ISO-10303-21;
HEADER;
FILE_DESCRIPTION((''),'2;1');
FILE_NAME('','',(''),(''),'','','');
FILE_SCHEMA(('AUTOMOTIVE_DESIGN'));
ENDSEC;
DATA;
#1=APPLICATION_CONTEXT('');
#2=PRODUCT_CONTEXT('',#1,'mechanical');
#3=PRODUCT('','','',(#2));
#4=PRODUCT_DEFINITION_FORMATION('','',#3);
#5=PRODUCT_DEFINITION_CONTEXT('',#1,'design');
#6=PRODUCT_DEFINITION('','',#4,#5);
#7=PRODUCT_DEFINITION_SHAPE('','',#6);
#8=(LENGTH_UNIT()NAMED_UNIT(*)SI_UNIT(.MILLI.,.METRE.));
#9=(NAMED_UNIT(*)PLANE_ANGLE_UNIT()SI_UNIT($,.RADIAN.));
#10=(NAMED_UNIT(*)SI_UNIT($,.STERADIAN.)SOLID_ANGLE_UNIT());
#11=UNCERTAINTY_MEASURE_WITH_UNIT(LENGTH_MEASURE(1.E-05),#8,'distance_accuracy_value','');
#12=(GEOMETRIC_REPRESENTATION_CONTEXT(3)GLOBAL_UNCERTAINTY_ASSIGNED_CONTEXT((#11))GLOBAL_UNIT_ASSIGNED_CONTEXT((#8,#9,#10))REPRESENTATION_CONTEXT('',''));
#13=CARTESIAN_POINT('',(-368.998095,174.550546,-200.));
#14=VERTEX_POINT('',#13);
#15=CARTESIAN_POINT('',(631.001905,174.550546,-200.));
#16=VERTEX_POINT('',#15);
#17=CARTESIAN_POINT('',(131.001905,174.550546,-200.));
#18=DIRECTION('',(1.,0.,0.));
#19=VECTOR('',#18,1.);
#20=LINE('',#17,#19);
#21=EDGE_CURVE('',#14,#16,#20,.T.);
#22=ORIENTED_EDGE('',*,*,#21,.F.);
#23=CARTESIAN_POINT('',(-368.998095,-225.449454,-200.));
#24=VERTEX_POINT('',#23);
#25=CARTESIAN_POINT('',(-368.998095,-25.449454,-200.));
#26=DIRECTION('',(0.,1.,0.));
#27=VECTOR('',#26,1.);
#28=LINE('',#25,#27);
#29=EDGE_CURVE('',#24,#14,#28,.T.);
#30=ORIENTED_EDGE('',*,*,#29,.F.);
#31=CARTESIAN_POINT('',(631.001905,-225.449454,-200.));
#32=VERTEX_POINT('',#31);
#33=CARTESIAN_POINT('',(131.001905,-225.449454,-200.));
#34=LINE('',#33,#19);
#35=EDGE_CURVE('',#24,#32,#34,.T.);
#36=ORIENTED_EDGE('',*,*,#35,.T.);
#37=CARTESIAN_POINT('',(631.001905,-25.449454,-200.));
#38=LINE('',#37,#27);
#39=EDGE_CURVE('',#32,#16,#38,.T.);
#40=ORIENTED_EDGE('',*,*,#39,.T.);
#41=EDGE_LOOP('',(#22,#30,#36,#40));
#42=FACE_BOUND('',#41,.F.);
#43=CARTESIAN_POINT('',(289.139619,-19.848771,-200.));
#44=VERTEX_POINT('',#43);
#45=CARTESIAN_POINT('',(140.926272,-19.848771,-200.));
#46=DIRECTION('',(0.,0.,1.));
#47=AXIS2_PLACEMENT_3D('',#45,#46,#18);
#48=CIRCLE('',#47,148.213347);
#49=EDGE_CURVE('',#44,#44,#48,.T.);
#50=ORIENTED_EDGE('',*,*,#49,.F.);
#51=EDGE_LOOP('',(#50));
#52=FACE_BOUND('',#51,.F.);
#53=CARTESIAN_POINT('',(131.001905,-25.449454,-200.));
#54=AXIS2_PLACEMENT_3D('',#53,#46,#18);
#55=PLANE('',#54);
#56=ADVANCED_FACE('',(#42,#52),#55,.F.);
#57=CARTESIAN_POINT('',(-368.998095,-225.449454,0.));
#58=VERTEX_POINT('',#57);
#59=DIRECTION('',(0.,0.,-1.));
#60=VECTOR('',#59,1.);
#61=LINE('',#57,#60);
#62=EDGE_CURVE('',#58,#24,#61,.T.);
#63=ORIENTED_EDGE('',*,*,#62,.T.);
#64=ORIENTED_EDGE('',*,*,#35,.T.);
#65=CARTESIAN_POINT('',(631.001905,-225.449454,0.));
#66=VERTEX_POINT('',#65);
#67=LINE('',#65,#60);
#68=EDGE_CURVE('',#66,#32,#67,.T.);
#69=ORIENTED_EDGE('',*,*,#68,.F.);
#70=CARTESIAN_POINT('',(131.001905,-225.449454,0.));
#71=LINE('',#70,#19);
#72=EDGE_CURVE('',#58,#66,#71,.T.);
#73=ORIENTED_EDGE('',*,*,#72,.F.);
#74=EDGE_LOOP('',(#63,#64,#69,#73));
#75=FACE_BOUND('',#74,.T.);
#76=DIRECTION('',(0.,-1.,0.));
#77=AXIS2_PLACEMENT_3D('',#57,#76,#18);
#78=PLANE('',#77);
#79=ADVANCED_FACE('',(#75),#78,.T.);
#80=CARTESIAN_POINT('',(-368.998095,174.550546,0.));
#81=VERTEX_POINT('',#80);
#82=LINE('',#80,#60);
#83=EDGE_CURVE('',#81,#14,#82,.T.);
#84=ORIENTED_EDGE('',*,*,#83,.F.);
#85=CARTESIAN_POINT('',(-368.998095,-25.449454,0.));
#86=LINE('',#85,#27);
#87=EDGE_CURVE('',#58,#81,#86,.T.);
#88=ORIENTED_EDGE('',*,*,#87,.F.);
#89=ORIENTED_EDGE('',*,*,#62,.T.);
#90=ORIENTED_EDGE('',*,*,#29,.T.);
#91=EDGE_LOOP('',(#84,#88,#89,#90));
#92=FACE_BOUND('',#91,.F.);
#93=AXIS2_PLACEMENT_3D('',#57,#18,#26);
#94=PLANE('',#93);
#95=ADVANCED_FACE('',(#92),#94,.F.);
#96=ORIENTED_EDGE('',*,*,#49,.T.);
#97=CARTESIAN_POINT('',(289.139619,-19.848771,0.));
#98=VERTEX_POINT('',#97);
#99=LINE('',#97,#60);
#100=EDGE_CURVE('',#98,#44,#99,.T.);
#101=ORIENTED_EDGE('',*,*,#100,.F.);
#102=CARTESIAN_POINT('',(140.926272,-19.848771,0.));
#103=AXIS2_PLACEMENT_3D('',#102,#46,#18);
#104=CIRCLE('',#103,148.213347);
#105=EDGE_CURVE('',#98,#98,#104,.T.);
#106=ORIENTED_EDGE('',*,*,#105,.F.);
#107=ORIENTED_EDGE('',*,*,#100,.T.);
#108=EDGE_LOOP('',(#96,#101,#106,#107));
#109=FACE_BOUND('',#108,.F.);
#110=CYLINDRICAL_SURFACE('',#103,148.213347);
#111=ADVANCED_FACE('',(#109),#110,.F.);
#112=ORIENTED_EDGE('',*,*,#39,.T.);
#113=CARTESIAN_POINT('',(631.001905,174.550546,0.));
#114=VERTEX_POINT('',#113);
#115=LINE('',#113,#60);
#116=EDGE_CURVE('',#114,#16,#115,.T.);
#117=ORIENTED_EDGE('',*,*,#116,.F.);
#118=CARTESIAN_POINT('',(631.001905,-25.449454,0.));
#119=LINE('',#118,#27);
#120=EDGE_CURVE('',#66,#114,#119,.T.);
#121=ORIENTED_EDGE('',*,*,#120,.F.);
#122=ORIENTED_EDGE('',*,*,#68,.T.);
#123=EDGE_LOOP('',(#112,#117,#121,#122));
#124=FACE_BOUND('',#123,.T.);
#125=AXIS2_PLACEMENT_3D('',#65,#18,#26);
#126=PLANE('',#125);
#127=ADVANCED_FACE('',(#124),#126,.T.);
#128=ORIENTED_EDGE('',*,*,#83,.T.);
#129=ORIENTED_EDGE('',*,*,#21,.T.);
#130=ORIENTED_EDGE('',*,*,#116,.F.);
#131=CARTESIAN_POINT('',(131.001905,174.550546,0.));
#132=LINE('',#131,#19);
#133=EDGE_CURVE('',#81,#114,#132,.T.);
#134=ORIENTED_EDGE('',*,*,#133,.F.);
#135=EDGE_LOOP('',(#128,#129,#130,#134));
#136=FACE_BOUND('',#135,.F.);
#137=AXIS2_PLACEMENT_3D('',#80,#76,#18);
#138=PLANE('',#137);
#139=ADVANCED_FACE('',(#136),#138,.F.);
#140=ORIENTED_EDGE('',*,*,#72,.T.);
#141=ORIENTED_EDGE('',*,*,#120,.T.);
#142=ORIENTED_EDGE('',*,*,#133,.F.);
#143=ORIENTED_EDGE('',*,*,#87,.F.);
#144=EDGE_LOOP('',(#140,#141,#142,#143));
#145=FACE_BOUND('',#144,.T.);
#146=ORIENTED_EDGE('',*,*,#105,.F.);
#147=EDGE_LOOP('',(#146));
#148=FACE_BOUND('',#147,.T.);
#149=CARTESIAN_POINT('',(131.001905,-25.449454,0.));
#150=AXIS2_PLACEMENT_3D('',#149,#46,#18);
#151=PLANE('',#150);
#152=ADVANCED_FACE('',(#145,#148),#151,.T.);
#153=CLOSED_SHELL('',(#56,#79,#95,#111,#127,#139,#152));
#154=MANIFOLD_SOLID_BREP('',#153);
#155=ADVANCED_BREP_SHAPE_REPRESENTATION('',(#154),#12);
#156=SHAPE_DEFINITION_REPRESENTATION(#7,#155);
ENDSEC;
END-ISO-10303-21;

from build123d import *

# Parameters (mm, degrees)
F0_W     = 1000
F0_H     = 400
F0_R     = 148.213347
F1_DEPTH = 200


with BuildPart() as f1:
    # F0 (on Top) → F1 (new body)
    with BuildSketch(Plane.XY):
        with Locations((131.001905, -25.449454)):
            Rectangle(F0_W, F0_H)
        with Locations((140.926272, -19.848771)):
            Circle(F0_R, mode=Mode.SUBTRACT)
    extrude(amount=-F1_DEPTH)


solid = f1.part
